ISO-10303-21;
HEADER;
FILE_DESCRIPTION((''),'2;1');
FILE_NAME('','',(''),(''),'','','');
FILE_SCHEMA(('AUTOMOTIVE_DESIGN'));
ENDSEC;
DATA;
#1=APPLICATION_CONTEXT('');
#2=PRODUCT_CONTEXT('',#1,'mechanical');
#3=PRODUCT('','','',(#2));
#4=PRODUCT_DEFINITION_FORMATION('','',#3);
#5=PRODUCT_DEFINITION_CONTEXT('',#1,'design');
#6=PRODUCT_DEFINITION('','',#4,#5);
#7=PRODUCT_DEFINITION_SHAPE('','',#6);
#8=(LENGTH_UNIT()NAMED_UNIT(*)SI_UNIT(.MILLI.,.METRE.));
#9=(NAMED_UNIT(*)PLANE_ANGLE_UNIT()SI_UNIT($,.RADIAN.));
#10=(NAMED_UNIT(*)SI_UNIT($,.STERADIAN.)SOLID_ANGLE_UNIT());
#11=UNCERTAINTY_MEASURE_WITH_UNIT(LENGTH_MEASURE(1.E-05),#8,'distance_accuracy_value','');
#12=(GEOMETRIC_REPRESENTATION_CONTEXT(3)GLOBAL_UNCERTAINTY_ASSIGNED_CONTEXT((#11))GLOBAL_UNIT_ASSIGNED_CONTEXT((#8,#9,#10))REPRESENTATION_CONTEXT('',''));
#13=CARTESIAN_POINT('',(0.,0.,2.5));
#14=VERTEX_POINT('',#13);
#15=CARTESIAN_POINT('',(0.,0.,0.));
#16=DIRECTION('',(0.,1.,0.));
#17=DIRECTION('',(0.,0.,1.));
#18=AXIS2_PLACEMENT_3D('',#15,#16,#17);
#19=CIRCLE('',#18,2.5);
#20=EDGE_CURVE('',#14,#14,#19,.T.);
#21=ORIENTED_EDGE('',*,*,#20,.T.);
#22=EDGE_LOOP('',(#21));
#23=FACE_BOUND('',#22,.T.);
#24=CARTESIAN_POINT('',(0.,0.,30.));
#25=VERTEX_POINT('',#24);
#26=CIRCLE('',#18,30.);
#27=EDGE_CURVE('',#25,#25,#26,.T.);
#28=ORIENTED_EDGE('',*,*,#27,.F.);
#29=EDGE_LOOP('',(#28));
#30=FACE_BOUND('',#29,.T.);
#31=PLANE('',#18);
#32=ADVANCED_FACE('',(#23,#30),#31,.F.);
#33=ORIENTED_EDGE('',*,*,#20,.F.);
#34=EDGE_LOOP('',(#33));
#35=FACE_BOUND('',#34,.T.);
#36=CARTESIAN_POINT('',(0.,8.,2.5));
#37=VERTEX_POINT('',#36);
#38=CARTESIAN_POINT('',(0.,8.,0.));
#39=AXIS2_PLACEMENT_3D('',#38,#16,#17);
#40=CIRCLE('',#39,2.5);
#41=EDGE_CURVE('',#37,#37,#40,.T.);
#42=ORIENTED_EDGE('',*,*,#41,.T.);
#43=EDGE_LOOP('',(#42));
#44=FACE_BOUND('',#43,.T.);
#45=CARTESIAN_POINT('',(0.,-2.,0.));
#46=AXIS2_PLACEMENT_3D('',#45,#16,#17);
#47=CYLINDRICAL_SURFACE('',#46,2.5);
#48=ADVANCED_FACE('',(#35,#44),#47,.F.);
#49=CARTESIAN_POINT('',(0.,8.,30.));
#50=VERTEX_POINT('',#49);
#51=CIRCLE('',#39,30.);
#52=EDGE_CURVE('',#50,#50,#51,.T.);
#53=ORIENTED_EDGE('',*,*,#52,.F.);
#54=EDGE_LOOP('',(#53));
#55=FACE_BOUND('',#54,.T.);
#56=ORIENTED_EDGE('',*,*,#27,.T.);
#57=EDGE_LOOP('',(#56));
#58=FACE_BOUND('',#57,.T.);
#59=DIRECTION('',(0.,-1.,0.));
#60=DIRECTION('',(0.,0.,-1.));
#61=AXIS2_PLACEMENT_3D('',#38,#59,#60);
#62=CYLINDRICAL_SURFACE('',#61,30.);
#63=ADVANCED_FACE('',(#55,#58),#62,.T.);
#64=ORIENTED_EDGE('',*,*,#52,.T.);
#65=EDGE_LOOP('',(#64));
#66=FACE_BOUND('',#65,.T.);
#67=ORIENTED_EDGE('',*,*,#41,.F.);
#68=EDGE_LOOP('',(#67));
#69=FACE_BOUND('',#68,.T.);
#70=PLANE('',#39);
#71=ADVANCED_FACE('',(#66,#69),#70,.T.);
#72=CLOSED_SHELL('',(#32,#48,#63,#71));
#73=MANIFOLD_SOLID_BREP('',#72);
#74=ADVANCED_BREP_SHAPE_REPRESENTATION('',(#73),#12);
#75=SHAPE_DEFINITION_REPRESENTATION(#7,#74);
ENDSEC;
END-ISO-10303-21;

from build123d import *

# Parameters (mm, degrees)
SKETCH1_R           = 30
BOSS_EXTRUDE1_DEPTH = 8
SKETCH2_R           = 2.5
CUT_EXTRUDE1_DEPTH  = 10


with BuildPart() as part:
    # Sketch1 → Boss-Extrude1 (new body)
    with BuildSketch(Plane(origin=(0, 0, 0), x_dir=(1, 0, 0), z_dir=(0, 1, 0))):
        Circle(SKETCH1_R)
    extrude(amount=BOSS_EXTRUDE1_DEPTH)

    # Sketch2 → Cut-Extrude1 (cut)
    with BuildSketch(Plane(origin=(0, 8, 0), x_dir=(1, 0, 0), z_dir=(0, 1, 0))):
        Circle(SKETCH2_R)
    extrude(amount=-CUT_EXTRUDE1_DEPTH, mode=Mode.SUBTRACT)


solid = part.part
